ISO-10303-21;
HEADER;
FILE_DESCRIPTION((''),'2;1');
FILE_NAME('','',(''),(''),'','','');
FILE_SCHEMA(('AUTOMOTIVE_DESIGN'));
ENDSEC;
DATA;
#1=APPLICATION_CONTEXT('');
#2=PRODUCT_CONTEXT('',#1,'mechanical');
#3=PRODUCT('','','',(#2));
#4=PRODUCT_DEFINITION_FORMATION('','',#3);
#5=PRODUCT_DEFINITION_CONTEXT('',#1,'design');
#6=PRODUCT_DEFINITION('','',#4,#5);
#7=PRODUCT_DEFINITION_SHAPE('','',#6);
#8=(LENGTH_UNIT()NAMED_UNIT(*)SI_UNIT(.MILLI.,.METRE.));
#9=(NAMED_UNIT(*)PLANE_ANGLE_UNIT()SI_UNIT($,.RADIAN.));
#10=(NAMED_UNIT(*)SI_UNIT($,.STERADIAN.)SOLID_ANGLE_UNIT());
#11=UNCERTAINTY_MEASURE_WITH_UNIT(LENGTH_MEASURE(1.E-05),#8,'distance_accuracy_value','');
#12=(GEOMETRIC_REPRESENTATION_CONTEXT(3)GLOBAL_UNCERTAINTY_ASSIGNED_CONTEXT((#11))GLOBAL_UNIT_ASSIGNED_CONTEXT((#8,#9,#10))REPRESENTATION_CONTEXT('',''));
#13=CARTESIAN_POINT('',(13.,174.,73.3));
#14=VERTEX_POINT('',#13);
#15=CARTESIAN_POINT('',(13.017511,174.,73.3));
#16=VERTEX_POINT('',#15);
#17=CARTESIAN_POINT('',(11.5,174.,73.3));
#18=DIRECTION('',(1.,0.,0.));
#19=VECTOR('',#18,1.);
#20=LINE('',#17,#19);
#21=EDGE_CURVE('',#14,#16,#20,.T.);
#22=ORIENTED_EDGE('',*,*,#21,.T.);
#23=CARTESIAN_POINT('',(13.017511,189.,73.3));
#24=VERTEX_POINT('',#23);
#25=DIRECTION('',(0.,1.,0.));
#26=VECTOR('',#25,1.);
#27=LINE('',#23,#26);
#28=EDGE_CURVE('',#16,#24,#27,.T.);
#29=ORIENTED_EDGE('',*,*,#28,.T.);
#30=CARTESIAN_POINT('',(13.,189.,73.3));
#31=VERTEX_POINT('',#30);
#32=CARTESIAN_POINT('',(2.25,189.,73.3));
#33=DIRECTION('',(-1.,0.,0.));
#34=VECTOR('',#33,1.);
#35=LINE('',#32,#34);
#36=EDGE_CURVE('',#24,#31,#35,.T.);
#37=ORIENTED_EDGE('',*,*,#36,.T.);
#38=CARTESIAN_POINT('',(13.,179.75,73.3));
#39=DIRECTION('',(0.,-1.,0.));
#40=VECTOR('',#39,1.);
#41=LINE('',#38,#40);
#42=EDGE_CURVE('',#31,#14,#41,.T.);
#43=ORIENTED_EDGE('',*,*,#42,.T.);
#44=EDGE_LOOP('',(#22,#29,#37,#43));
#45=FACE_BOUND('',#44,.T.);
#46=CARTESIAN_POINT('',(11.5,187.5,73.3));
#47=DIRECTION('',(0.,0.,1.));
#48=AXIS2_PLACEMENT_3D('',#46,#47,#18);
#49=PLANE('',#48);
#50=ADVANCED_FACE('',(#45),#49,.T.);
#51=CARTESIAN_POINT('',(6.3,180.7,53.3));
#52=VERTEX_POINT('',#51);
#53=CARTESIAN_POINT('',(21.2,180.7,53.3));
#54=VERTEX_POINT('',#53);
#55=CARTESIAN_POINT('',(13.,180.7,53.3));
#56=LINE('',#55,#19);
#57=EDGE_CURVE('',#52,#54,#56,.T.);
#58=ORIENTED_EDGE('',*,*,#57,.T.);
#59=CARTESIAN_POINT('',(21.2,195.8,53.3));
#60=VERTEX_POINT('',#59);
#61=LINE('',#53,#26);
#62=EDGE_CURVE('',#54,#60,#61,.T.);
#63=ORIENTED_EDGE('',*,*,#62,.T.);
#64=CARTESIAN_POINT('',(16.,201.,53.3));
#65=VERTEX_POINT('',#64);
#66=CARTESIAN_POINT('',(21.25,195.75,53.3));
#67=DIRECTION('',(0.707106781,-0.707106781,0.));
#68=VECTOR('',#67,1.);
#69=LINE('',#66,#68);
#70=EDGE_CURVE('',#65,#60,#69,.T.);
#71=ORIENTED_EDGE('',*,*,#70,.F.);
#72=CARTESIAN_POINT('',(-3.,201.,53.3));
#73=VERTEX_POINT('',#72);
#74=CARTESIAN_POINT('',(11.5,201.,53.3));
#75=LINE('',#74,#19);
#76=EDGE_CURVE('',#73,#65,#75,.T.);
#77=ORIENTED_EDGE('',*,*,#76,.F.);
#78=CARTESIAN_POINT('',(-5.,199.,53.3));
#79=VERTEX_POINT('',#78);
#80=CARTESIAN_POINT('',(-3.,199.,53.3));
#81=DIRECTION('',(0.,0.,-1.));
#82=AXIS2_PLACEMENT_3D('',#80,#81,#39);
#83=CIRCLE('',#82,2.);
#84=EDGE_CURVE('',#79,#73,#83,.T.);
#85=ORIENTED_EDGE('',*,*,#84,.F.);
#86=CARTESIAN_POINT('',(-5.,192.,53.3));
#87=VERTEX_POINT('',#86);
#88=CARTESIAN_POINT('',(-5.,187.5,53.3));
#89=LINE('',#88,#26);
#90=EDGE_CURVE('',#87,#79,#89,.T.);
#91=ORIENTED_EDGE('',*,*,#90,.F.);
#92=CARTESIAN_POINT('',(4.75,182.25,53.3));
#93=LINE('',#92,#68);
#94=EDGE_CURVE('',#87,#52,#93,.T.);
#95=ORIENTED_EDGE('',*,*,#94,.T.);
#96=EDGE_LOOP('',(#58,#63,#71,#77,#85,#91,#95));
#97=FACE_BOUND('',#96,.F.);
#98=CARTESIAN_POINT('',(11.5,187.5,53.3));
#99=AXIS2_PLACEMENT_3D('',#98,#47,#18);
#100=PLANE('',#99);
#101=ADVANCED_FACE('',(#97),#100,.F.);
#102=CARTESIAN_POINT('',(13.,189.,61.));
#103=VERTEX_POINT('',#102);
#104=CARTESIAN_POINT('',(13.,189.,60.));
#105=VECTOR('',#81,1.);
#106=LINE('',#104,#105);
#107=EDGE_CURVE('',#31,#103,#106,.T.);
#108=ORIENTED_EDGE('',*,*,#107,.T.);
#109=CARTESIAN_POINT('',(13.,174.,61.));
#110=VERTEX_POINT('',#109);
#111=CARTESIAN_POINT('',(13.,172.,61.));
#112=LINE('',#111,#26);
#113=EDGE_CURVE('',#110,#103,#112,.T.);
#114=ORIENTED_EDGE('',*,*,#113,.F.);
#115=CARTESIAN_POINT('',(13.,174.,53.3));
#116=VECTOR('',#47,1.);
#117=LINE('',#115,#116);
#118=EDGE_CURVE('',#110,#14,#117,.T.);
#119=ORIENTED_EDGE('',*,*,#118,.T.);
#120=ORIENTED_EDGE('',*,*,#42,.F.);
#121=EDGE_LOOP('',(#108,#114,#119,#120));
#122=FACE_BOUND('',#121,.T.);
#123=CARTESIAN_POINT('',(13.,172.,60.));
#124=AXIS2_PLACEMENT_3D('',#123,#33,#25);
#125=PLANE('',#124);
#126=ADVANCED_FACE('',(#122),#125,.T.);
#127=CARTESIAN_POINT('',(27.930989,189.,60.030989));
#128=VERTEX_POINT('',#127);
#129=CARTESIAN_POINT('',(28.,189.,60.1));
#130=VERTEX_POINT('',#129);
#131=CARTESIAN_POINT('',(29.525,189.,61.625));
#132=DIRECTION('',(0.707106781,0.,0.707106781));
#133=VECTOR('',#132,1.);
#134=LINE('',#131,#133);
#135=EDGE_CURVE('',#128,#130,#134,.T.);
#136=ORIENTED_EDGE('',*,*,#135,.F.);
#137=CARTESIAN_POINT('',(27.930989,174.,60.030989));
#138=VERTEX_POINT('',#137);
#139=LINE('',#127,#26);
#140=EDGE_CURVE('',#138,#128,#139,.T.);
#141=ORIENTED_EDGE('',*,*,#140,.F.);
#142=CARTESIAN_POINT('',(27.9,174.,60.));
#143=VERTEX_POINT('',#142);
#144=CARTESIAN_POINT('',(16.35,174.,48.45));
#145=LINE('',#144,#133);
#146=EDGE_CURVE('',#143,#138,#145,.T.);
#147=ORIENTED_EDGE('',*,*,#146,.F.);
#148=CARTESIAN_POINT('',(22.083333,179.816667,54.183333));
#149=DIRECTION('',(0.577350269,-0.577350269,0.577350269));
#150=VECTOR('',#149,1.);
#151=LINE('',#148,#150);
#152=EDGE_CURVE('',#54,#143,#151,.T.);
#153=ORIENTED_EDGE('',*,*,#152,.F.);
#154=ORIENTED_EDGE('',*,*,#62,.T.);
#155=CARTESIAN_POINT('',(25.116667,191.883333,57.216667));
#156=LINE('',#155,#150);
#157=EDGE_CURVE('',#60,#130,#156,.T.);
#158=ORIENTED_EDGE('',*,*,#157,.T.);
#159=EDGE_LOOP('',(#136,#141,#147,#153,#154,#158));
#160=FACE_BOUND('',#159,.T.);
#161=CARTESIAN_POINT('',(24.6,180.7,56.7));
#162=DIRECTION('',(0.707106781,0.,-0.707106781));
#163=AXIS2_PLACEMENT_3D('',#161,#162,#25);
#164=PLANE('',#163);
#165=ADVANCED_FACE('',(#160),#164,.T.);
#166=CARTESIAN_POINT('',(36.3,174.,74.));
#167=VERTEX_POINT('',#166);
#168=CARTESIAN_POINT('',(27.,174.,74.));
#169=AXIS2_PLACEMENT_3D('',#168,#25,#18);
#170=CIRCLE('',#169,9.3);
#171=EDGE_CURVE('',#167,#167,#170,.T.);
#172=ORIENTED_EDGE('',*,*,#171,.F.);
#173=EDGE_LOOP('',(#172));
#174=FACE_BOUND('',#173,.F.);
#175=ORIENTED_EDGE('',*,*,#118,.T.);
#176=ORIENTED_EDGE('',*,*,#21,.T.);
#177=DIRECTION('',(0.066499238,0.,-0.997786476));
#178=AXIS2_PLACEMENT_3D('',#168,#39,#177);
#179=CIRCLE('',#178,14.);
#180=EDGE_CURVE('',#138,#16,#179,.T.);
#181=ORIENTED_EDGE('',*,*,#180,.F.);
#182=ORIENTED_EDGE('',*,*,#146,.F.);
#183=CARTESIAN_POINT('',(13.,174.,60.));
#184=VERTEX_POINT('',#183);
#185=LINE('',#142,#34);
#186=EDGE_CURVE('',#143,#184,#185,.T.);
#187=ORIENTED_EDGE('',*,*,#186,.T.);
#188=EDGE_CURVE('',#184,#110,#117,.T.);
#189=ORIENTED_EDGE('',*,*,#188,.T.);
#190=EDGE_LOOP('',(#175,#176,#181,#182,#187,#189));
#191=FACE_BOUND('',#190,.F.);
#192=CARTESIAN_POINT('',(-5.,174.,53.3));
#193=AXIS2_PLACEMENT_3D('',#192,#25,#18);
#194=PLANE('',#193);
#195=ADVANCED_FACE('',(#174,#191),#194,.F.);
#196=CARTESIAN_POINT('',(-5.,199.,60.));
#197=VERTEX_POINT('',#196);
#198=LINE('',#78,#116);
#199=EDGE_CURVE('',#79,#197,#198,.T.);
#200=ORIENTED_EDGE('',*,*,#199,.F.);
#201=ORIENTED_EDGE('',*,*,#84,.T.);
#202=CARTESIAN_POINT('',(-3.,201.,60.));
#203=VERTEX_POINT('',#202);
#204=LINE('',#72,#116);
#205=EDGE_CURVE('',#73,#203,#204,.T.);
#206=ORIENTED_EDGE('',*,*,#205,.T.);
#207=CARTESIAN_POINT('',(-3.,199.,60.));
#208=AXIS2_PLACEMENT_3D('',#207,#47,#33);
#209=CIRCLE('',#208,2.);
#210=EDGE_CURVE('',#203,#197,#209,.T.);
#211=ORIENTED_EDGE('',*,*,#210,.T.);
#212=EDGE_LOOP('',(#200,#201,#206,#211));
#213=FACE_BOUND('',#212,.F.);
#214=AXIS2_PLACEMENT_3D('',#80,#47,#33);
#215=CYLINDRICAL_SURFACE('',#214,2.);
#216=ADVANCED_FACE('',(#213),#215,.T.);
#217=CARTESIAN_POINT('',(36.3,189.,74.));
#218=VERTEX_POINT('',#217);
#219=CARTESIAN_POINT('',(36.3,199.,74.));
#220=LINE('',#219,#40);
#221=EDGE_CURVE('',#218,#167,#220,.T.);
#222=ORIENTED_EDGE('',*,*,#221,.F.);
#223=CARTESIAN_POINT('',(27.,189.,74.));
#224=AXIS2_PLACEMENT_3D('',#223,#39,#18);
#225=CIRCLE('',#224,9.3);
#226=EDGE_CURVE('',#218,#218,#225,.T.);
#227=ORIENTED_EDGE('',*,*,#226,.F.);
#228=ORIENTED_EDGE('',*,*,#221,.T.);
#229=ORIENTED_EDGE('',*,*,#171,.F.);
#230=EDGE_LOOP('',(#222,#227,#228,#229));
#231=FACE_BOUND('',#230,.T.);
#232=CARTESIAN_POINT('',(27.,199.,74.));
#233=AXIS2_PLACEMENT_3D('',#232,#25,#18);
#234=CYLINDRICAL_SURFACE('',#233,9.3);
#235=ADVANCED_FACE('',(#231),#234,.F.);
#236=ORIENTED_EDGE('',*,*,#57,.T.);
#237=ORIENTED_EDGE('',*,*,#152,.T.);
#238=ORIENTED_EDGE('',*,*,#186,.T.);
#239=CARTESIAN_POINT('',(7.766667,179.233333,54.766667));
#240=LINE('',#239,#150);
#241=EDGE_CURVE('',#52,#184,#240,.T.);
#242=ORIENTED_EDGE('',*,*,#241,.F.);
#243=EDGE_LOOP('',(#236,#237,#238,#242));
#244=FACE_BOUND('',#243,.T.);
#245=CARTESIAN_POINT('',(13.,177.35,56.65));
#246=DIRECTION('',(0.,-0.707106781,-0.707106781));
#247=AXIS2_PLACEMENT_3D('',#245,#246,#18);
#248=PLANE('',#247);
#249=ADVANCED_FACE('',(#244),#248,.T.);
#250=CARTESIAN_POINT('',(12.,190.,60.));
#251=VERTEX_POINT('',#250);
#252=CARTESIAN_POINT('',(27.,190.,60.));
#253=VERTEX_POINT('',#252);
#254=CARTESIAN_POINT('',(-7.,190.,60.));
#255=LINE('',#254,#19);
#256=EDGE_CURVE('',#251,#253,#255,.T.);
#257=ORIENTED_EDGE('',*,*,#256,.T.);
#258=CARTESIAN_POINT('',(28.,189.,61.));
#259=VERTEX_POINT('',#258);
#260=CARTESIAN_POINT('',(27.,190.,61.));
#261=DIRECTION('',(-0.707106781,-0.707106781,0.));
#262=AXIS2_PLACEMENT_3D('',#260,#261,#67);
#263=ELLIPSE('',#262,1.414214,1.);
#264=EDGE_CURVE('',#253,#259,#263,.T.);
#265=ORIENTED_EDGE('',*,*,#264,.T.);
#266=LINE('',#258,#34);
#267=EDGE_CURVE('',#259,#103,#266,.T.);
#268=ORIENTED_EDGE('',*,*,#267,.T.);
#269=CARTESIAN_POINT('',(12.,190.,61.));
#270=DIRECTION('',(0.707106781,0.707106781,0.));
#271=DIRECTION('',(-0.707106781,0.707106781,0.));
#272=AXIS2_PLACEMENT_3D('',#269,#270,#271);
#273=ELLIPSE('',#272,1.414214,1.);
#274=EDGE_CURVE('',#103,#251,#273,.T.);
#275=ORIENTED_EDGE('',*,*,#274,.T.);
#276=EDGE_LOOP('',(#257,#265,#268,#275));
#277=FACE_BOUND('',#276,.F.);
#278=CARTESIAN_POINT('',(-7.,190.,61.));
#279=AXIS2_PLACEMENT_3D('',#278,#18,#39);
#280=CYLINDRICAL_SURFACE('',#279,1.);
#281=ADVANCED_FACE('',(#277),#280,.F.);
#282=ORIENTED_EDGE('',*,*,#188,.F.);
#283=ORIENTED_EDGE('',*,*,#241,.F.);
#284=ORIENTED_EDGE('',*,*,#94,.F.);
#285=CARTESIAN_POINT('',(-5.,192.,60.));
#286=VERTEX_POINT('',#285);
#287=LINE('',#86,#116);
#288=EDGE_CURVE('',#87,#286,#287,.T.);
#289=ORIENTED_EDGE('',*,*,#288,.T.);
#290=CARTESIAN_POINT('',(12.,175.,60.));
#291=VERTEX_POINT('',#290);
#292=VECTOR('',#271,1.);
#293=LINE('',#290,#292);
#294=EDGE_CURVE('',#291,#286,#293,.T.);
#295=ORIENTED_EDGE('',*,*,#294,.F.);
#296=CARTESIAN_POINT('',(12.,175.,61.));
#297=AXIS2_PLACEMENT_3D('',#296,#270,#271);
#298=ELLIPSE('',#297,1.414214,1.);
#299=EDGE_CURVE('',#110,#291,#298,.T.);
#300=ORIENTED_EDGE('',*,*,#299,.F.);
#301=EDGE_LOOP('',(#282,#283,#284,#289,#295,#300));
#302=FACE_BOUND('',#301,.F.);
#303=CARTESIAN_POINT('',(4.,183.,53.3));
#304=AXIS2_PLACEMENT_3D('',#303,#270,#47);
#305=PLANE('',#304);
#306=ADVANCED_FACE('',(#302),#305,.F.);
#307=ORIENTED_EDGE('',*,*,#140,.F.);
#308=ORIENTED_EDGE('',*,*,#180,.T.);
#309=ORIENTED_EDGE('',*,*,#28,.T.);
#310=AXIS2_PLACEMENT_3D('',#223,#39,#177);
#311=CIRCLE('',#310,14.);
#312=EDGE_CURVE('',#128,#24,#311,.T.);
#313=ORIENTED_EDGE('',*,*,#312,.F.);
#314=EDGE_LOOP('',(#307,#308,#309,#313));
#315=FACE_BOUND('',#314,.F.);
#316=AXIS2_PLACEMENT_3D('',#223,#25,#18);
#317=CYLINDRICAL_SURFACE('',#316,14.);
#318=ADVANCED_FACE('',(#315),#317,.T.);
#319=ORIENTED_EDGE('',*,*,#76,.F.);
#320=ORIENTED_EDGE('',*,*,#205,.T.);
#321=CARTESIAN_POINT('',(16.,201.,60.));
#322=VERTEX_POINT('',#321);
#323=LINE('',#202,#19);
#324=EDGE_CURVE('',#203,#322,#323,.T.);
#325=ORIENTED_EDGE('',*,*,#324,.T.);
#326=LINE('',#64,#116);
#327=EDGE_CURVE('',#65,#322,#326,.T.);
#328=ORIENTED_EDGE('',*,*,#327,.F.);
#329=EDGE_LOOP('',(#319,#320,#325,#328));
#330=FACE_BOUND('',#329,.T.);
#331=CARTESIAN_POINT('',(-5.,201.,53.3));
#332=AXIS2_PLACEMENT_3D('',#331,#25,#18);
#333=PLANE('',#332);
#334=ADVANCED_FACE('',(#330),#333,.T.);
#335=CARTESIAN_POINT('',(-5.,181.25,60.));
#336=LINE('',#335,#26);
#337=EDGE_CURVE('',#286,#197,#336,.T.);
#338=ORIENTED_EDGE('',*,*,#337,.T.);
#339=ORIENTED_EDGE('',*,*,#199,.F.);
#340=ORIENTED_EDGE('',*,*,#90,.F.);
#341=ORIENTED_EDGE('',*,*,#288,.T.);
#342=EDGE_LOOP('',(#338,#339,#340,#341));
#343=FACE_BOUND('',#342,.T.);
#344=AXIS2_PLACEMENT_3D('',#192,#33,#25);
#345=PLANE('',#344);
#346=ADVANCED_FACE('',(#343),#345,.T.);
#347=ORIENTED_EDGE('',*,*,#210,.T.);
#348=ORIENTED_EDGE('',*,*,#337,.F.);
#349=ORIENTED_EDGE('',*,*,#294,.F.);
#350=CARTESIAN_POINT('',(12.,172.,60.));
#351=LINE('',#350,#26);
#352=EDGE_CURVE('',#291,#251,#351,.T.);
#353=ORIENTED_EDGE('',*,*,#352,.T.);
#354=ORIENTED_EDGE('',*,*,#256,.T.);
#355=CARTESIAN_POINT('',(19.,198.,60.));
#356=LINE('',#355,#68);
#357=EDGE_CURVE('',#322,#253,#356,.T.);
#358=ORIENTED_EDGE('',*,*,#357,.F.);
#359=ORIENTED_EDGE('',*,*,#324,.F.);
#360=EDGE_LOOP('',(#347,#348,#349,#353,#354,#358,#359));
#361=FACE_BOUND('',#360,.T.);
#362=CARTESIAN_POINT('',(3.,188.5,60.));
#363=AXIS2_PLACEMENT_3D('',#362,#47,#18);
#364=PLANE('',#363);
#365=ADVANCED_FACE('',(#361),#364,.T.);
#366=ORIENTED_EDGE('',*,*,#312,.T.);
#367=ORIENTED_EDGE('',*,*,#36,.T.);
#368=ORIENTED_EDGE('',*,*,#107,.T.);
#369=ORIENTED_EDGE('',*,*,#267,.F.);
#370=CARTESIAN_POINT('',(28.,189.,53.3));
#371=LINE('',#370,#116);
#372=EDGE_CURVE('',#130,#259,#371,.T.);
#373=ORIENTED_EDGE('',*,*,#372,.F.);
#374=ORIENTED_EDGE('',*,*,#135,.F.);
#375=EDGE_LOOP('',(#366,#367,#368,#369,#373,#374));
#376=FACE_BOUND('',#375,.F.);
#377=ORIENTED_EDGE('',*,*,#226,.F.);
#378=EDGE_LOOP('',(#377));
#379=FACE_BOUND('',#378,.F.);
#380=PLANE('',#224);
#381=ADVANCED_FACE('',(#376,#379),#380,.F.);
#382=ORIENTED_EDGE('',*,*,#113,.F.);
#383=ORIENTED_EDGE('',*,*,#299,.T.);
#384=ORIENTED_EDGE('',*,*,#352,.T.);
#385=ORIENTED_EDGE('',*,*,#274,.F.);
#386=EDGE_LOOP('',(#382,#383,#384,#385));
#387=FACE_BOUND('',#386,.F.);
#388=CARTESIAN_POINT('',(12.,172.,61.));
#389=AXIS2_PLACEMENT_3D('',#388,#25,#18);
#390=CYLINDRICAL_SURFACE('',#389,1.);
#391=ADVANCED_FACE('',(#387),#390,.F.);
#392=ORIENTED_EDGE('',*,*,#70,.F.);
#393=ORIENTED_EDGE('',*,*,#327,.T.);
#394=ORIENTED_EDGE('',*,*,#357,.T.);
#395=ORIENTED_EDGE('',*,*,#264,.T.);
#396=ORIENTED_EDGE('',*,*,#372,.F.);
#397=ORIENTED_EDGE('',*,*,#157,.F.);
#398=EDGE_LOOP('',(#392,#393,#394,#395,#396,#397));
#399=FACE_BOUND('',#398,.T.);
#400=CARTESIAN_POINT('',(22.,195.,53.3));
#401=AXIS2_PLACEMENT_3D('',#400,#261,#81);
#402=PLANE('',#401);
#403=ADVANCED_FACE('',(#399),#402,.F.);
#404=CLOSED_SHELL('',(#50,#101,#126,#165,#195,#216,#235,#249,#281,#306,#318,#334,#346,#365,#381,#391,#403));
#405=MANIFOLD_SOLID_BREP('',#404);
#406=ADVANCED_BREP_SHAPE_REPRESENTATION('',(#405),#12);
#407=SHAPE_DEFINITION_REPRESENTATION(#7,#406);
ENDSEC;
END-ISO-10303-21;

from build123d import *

# Parameters (mm, degrees)
CYLINDER013_R     = 9.3
CYLINDER013_DEPTH = 30
BOX004_W          = 38
BOX004_H          = 16
BOX004_DEPTH      = 16
FILLET002_R       = 1
BOX003_W          = 20
BOX003_H          = 33
BOX003_DEPTH      = 16
FILLET001_R       = 1
BOX002_W          = 33
BOX002_H          = 27
BOX002_DEPTH      = 20
FILLET_R          = 2
CHAMFER003_SIZE   = 12
CHAMFER004_SIZE   = 18
CHAMFER005_SIZE   = 6.7
CHAMFER006_SIZE   = 6.8
CYLINDER012_R     = 9.3
CYLINDER012_DEPTH = 30
CYLINDER011_R     = 14
CYLINDER011_DEPTH = 15


with BuildPart() as cilindro013:
    # Cylinder013 → Cylinder013 (new body)
    with BuildSketch(Plane(origin=(27, 199, 74), x_dir=(1, 0, 0), z_dir=(0, -1, 0))):
        Circle(CYLINDER013_R)
    extrude(amount=CYLINDER013_DEPTH)


with BuildPart() as fillet002:
    # Box004 → Box004 (new body)
    with BuildSketch(Plane(origin=(-7, 189, 60), x_dir=(1, 0, 0), z_dir=(0, 0, 1))):
        with Locations((19, 8)):
            Rectangle(BOX004_W, BOX004_H)
    extrude(amount=BOX004_DEPTH)

    # Fillet002
    fillet002_edges = [fillet002.edges().sort_by_distance(p)[0] for p in [
        (12, 189, 60),
    ]]
    fillet(fillet002_edges, radius=FILLET002_R)


with BuildPart() as fillet001:
    # Box003 → Box003 (new body)
    with BuildSketch(Plane(origin=(-7, 172, 60), x_dir=(1, 0, 0), z_dir=(0, 0, 1))):
        with Locations((10, 16.5)):
            Rectangle(BOX003_W, BOX003_H)
    extrude(amount=BOX003_DEPTH)

    # Fillet001
    fillet001_edges = [fillet001.edges().sort_by_distance(p)[0] for p in [
        (13, 188.5, 60),
    ]]
    fillet(fillet001_edges, radius=FILLET001_R)


with BuildPart() as cut006:
    # Box002 → Box002 (new body)
    with BuildSketch(Plane(origin=(-5, 174, 53.3), x_dir=(1, 0, 0), z_dir=(0, 0, 1))):
        with Locations((16.5, 13.5)):
            Rectangle(BOX002_W, BOX002_H)
    extrude(amount=BOX002_DEPTH)

    # Fillet
    fillet_edges = [cut006.edges().sort_by_distance(p)[0] for p in [
        (-5, 201, 63.3),
    ]]
    fillet(fillet_edges, radius=FILLET_R)

    # Chamfer003
    chamfer003_edges = [cut006.edges().sort_by_distance(p)[0] for p in [
        (28, 201, 63.3),
    ]]
    chamfer(chamfer003_edges, length=CHAMFER003_SIZE)

    # Chamfer004
    chamfer004_edges = [cut006.edges().sort_by_distance(p)[0] for p in [
        (-5, 174, 63.3),
    ]]
    chamfer(chamfer004_edges, length=CHAMFER004_SIZE)

    # Chamfer005
    chamfer005_edges = [cut006.edges().sort_by_distance(p)[0] for p in [
        (20.5, 174, 53.3),
    ]]
    chamfer(chamfer005_edges, length=CHAMFER005_SIZE)

    # Chamfer006
    chamfer006_edges = [cut006.edges().sort_by_distance(p)[0] for p in [
        (28, 184.85, 53.3),
    ]]
    chamfer(chamfer006_edges, length=CHAMFER006_SIZE)

    # Cut004: cut Fillet001
    add(fillet001.part, mode=Mode.SUBTRACT)

    # Cut005: cut Fillet002
    add(fillet002.part, mode=Mode.SUBTRACT)

    # Cut006: cut Cilindro013
    add(cilindro013.part, mode=Mode.SUBTRACT)


with BuildPart() as cilindro012:
    # Cylinder012 → Cylinder012 (new body)
    with BuildSketch(Plane(origin=(27, 199, 74), x_dir=(1, 0, 0), z_dir=(0, -1, 0))):
        Circle(CYLINDER012_R)
    extrude(amount=CYLINDER012_DEPTH)


with BuildPart() as inductive_probe_mount:
    # Cylinder011 → Cylinder011 (new body)
    with BuildSketch(Plane(origin=(27, 189, 74), x_dir=(1, 0, 0), z_dir=(0, -1, 0))):
        Circle(CYLINDER011_R)
    extrude(amount=CYLINDER011_DEPTH)

    # Cut003: cut Cilindro012
    add(cilindro012.part, mode=Mode.SUBTRACT)

    # Fusion005: union Cut006
    add(cut006.part)


solid = inductive_probe_mount.part
